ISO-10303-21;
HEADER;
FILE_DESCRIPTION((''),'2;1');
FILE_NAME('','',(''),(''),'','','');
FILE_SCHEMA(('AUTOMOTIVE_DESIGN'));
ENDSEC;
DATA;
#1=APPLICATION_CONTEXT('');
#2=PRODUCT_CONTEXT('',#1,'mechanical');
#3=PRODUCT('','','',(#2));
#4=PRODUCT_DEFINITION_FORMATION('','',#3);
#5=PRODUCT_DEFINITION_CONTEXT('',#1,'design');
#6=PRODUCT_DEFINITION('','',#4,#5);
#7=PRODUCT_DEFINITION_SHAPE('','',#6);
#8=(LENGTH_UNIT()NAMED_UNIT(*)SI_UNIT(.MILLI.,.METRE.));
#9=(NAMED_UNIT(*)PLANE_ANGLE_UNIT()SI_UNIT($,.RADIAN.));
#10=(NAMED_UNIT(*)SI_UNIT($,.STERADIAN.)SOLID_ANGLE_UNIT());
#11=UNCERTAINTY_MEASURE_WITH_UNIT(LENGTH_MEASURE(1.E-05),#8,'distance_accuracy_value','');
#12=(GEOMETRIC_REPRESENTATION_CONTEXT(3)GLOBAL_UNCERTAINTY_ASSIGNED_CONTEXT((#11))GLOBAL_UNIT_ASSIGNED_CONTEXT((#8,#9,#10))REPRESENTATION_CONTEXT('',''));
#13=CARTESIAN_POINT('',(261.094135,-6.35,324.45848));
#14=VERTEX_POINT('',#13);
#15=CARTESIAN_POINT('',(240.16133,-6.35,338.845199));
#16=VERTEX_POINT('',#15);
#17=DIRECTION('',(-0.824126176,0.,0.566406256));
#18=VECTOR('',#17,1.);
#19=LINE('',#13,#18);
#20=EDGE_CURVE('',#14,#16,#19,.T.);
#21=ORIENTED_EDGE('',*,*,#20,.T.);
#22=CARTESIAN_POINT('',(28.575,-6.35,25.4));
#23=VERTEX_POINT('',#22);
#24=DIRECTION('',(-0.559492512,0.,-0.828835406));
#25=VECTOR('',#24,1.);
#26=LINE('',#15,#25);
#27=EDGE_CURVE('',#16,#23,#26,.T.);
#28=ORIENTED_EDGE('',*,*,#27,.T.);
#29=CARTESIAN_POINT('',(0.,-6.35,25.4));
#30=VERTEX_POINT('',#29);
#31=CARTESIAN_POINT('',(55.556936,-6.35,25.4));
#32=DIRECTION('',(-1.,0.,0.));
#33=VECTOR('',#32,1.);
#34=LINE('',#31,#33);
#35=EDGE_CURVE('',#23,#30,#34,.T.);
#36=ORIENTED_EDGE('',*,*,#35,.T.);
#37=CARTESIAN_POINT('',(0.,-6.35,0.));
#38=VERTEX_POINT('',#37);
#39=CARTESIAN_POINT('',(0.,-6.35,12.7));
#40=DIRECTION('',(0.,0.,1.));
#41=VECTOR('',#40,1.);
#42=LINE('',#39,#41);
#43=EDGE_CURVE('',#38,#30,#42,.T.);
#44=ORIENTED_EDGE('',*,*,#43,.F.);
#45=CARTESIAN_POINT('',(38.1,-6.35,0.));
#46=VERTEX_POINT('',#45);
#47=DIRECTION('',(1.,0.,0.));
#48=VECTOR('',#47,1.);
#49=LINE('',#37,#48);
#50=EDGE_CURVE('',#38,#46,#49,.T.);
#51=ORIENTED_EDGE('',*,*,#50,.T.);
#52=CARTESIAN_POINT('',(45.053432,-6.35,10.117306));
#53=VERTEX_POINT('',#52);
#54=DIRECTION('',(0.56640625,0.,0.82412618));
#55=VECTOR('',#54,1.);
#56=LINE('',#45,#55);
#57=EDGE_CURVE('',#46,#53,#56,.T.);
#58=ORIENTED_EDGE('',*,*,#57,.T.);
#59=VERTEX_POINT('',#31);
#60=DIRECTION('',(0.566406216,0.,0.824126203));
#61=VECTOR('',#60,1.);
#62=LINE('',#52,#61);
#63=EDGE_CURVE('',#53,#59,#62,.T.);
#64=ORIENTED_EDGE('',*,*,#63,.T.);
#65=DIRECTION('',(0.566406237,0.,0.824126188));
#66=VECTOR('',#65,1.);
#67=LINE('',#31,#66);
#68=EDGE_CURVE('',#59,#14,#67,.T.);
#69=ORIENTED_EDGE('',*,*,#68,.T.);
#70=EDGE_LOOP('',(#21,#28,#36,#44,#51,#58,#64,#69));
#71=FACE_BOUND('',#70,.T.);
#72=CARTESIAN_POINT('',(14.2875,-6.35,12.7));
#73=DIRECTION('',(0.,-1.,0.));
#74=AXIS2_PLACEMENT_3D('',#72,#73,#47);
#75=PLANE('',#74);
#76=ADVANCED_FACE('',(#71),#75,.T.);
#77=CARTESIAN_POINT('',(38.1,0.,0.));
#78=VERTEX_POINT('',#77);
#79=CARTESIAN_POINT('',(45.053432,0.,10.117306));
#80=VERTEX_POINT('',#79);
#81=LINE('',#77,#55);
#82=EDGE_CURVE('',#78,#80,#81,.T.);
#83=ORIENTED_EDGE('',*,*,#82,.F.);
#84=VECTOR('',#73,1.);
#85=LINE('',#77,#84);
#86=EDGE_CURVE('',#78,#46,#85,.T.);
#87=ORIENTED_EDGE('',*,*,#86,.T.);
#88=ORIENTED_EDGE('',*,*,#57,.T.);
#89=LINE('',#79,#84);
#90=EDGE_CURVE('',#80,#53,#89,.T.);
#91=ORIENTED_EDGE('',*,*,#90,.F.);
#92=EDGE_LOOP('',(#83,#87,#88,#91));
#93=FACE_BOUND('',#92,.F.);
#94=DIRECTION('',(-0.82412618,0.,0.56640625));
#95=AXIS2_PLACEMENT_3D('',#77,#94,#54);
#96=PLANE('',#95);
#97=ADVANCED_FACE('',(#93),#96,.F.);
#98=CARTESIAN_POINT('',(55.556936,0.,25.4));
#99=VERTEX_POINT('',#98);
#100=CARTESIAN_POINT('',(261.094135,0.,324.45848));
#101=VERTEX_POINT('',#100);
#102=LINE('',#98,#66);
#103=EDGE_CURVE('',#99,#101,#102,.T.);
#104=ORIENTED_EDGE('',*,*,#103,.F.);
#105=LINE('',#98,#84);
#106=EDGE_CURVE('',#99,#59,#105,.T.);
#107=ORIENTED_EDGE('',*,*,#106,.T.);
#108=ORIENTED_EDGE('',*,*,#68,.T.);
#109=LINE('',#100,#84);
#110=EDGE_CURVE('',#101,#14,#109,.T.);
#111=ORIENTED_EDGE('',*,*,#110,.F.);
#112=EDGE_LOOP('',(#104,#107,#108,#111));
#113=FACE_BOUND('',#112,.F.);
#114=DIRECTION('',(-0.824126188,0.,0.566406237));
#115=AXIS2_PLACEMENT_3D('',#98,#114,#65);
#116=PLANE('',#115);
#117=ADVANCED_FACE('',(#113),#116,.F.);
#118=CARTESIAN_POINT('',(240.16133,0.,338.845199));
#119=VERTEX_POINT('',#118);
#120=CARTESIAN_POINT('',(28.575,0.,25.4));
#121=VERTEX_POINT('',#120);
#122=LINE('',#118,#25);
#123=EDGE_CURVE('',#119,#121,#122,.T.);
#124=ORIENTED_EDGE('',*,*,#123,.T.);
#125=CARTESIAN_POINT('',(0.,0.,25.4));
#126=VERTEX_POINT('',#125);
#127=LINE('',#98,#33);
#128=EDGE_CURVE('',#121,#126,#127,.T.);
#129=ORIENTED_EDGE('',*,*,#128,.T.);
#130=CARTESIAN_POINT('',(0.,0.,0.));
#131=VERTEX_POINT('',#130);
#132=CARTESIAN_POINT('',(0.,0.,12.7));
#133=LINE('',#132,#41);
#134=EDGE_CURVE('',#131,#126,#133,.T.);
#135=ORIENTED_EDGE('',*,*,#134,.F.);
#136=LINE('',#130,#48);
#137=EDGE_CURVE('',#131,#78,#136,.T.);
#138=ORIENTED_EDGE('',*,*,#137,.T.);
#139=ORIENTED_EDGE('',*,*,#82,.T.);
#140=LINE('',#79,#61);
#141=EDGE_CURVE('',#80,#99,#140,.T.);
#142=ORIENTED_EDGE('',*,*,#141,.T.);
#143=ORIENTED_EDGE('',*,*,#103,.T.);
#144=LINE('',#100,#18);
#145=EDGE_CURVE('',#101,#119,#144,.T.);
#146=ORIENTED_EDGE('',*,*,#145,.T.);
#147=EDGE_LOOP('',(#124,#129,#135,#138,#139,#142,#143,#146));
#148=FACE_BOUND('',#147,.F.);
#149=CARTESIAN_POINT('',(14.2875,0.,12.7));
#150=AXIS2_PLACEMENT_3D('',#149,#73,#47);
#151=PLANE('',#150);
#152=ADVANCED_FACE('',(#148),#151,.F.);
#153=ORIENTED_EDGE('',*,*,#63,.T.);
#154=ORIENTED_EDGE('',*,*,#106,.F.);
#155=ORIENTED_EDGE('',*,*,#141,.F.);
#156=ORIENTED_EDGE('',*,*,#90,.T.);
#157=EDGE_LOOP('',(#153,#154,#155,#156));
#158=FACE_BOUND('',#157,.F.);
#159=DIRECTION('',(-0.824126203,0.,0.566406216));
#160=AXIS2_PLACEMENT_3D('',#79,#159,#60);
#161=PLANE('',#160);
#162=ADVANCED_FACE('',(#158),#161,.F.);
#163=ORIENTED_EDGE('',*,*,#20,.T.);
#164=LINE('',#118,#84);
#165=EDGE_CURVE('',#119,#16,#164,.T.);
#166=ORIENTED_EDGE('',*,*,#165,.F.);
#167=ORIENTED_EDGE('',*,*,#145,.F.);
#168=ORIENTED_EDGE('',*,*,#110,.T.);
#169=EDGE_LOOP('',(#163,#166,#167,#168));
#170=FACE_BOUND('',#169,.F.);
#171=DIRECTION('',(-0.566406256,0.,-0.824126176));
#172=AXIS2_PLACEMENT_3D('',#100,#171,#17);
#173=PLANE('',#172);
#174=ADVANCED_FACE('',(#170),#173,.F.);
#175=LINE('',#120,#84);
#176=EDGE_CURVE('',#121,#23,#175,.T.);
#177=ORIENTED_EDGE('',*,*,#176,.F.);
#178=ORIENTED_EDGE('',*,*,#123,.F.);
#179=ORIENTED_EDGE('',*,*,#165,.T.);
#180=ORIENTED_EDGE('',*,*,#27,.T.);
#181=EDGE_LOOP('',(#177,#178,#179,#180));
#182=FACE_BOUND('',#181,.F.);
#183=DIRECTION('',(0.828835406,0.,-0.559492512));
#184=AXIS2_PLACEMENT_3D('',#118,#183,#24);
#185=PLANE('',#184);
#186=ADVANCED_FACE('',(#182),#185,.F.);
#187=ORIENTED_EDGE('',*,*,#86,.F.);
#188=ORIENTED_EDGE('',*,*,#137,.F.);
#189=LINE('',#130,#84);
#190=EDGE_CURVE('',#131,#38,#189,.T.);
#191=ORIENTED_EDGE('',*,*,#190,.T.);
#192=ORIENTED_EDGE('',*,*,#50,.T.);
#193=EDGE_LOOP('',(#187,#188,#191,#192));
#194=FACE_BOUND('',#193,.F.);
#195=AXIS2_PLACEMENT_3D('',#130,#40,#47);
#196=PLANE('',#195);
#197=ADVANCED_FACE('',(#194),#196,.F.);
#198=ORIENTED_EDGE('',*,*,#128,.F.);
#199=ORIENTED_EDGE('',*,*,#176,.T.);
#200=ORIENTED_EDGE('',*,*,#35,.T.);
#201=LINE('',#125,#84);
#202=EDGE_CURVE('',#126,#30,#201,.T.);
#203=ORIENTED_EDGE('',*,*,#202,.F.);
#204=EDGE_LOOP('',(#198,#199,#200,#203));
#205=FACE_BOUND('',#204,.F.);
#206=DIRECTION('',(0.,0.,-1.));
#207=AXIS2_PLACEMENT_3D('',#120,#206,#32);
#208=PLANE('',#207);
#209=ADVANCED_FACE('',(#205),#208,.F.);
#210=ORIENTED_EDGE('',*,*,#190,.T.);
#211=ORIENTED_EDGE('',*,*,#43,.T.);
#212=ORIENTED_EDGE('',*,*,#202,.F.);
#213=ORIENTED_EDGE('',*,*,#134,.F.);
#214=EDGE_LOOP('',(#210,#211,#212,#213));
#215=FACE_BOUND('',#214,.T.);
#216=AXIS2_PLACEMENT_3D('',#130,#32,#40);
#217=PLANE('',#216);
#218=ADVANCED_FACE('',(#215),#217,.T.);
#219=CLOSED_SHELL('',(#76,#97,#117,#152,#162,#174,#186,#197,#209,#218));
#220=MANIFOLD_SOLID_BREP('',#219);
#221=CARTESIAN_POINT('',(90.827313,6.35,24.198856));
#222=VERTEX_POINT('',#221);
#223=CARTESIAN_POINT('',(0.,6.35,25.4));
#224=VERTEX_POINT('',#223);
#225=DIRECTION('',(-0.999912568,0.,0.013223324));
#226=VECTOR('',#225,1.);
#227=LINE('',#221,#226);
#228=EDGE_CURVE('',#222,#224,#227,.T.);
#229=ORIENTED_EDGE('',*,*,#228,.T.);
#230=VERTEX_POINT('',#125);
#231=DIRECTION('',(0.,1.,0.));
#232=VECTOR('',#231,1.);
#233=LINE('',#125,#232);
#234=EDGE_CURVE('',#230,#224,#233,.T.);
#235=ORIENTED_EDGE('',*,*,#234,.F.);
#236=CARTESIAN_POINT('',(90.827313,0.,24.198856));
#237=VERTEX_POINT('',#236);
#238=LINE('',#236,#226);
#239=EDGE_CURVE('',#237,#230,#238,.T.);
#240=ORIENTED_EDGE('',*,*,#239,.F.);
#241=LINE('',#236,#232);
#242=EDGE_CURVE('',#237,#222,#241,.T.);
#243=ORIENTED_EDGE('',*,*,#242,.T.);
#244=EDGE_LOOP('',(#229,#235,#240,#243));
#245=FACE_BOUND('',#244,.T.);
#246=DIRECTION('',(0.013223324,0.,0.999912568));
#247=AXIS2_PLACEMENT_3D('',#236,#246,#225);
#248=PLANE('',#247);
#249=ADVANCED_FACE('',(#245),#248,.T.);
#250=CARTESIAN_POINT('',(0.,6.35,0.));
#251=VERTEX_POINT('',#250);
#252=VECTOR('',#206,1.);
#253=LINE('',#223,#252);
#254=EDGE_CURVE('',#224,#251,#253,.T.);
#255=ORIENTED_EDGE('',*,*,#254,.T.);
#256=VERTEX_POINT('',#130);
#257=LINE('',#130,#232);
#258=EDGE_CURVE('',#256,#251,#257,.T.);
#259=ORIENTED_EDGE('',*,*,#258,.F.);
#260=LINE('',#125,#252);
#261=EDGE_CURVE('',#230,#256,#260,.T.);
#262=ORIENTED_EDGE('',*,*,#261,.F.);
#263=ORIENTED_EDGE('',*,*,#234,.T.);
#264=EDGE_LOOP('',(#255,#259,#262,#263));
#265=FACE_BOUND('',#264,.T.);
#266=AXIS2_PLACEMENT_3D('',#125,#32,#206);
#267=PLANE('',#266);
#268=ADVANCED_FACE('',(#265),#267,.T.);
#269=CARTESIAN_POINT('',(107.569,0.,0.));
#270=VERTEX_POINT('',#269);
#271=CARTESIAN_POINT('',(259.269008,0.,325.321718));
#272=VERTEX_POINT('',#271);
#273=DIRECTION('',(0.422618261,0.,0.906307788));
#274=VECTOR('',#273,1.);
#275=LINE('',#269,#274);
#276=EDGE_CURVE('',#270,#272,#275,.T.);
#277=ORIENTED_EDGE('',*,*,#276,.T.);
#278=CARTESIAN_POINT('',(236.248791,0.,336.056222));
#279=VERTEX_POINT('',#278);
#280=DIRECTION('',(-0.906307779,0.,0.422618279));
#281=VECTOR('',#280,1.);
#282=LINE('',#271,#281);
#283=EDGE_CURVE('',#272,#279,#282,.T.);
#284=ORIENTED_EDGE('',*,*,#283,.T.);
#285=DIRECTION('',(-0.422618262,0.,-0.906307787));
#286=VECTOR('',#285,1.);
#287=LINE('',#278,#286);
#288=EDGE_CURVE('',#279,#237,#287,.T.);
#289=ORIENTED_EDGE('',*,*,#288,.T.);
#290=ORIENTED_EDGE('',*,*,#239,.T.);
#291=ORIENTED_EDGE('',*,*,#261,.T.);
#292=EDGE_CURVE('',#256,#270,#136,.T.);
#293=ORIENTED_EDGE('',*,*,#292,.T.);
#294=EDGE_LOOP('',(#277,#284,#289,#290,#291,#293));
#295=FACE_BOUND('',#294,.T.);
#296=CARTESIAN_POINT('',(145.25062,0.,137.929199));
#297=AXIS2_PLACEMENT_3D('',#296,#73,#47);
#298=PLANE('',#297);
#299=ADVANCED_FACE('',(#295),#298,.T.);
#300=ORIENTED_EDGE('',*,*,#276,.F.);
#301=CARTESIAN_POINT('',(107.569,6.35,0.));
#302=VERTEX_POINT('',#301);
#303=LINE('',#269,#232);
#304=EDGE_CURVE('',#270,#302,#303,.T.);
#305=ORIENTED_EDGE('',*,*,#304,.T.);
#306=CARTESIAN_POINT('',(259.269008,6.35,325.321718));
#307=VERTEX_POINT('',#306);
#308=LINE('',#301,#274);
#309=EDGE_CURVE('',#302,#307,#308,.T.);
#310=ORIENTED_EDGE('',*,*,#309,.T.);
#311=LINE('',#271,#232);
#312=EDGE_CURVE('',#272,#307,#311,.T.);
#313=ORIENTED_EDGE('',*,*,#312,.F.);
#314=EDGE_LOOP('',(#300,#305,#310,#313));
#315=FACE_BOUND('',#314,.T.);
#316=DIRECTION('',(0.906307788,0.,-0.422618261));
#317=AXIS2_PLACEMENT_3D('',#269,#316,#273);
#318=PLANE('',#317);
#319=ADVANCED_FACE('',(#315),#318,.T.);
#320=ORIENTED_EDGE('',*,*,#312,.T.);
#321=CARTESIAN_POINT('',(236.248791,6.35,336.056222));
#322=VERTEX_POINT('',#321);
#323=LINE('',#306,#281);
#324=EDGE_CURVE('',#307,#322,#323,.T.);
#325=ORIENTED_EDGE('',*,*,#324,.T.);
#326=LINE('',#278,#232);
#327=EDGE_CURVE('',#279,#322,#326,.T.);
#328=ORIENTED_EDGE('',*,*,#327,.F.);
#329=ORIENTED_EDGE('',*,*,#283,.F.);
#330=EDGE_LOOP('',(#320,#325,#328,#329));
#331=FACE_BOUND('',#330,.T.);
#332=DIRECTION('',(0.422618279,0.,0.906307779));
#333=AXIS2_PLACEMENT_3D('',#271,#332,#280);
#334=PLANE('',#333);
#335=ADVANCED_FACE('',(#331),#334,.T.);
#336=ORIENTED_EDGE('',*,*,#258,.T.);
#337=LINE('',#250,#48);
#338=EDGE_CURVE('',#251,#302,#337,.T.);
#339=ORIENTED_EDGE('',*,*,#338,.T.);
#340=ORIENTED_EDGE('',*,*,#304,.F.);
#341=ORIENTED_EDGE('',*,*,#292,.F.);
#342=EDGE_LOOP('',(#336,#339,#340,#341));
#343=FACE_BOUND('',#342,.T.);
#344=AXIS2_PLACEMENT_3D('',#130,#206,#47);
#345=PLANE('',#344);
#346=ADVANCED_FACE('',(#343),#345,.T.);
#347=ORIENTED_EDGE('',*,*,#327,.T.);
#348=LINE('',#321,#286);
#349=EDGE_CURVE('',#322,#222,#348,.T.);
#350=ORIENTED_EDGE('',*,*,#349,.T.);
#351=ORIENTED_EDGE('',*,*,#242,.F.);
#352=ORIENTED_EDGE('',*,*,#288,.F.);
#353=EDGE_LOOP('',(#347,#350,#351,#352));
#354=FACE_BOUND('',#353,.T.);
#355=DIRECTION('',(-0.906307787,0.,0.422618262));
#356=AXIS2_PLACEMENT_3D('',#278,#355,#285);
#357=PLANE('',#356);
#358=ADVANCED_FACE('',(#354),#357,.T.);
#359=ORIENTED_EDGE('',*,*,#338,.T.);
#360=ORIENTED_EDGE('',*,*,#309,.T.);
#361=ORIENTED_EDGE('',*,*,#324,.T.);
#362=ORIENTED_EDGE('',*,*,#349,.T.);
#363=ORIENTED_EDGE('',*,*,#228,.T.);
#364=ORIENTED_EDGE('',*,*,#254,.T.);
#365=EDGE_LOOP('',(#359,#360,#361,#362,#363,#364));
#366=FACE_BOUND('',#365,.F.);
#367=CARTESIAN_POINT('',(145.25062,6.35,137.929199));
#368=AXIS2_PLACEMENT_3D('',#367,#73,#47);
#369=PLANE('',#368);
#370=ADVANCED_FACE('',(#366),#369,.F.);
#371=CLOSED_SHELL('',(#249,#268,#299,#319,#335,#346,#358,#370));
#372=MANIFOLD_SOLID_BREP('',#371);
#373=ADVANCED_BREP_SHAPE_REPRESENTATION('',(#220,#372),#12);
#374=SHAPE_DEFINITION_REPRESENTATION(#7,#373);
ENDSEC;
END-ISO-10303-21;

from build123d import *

# Parameters (mm, degrees)
F0_W     = 28.575
F0_H     = 25.4
F1_DEPTH = 6.35
F3_DEPTH = 6.35


with BuildPart() as f1:
    # F0 (on Front) → F1 (new body)
    with BuildSketch(Plane.XZ):
        with Locations((14.2875, 12.7)):
            Rectangle(F0_W, F0_H)
        Polygon((28.575, 25.4), (28.575, 0), (38.1, 0), align=None)
        Polygon((28.575, 25.4), (38.1, 0), (45.053432, 10.117306), align=None)
        Polygon((55.556936, 25.4), (28.575, 25.4), (45.053432, 10.117306), align=None)
        Polygon((240.16133, 338.845199), (28.575, 25.4), (55.556936, 25.4), (261.094135, 324.45848), align=None)
    extrude(amount=F1_DEPTH)


with BuildPart() as f3:
    # F2 (on Front) → F3 (new body)
    with BuildSketch(Plane.XZ):
        Polygon((0, 25.4), (0, 0), (107.569, 0), (259.269008, 325.321718), (236.248791, 336.056222), (90.827313, 24.198856), align=None)
    extrude(amount=-F3_DEPTH)


solid = Compound([f1.part, f3.part])
